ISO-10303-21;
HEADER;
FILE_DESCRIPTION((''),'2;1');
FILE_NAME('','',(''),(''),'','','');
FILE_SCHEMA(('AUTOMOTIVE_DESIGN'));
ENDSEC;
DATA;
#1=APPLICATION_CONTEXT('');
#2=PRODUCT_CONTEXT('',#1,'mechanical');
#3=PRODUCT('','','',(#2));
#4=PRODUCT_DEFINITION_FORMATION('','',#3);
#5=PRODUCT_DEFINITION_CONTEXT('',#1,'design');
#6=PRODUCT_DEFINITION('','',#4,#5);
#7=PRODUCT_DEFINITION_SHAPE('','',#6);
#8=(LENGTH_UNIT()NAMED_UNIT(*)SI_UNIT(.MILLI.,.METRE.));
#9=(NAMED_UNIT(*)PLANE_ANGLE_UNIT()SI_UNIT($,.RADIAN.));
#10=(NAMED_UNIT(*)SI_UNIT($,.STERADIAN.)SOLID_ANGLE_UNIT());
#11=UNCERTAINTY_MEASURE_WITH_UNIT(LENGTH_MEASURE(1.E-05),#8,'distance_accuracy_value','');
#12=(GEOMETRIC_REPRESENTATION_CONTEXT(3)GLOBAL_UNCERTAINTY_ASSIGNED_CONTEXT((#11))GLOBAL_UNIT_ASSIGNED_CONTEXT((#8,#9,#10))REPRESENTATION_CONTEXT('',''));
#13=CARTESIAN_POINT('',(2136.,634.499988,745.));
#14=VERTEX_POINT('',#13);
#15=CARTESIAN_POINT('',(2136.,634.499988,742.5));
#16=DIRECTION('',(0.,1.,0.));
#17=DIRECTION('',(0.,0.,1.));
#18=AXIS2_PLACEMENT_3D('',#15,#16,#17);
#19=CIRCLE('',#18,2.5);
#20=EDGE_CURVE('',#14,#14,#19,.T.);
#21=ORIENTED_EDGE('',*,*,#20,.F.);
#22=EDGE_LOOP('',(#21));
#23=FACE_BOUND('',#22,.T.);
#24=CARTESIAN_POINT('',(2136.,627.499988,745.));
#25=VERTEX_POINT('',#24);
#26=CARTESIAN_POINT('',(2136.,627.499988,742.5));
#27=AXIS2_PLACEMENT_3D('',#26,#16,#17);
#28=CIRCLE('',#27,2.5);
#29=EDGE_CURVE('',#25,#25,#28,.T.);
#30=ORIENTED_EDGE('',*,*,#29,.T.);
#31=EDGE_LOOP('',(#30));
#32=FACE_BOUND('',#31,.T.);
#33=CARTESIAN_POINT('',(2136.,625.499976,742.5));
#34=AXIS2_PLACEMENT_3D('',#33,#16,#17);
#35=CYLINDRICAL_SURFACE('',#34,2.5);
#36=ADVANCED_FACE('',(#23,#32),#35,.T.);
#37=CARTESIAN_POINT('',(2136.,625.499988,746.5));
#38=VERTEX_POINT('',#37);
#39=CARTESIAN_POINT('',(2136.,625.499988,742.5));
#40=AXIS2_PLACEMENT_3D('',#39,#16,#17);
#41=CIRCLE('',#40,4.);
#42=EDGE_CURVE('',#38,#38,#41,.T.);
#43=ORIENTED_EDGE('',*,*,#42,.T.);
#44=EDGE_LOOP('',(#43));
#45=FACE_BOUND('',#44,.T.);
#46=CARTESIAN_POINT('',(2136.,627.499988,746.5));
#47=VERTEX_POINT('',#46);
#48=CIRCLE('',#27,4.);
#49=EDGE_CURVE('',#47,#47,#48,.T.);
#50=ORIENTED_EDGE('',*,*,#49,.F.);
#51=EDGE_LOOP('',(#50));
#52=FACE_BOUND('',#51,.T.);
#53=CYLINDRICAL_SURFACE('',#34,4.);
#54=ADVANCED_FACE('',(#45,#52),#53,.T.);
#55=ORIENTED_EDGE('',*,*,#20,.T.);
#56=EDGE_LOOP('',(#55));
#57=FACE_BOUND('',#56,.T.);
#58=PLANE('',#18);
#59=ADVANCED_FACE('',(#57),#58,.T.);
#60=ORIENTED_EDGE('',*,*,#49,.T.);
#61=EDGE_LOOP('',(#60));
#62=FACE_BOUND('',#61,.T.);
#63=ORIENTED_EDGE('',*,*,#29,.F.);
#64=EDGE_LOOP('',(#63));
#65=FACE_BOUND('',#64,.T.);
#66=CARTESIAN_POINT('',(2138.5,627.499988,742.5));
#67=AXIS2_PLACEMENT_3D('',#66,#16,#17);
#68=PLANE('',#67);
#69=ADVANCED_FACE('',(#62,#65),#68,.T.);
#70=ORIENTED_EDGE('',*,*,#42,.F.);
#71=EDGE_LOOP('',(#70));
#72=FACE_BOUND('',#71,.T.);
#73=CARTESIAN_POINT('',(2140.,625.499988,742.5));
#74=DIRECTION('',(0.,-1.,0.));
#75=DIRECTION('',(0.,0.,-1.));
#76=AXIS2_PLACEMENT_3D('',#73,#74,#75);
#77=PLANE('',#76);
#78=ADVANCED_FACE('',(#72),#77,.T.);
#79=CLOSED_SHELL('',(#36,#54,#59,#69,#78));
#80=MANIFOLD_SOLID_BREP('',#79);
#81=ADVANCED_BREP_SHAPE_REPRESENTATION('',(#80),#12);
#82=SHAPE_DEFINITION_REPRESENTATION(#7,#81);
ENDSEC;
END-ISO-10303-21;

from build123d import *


with BuildPart() as part:
    # Esquisse1 → Base-Révolution (revolve)
    with BuildSketch(Plane(origin=(0, 0, 742.5), x_dir=(-1, 0, 0), z_dir=(0, 0, -1)), mode=Mode.PRIVATE) as base_r_volution_sk:
        Polygon((-2140, 625.49998798), (-2136.000000001, 625.49998798), (-2136.000000001, 634.49998798), (-2138.500000001, 634.49998798), (-2138.500000001, 627.49998798), (-2140, 627.49998798), align=None)
    revolve(base_r_volution_sk.sketch.rotate(Axis((2136.000000001, 625.499975959, 742.5), (0, 1, 0)), 270), axis=Axis((2136.000000001, 625.499975959, 742.5), (0, 1, 0)))


solid = part.part
